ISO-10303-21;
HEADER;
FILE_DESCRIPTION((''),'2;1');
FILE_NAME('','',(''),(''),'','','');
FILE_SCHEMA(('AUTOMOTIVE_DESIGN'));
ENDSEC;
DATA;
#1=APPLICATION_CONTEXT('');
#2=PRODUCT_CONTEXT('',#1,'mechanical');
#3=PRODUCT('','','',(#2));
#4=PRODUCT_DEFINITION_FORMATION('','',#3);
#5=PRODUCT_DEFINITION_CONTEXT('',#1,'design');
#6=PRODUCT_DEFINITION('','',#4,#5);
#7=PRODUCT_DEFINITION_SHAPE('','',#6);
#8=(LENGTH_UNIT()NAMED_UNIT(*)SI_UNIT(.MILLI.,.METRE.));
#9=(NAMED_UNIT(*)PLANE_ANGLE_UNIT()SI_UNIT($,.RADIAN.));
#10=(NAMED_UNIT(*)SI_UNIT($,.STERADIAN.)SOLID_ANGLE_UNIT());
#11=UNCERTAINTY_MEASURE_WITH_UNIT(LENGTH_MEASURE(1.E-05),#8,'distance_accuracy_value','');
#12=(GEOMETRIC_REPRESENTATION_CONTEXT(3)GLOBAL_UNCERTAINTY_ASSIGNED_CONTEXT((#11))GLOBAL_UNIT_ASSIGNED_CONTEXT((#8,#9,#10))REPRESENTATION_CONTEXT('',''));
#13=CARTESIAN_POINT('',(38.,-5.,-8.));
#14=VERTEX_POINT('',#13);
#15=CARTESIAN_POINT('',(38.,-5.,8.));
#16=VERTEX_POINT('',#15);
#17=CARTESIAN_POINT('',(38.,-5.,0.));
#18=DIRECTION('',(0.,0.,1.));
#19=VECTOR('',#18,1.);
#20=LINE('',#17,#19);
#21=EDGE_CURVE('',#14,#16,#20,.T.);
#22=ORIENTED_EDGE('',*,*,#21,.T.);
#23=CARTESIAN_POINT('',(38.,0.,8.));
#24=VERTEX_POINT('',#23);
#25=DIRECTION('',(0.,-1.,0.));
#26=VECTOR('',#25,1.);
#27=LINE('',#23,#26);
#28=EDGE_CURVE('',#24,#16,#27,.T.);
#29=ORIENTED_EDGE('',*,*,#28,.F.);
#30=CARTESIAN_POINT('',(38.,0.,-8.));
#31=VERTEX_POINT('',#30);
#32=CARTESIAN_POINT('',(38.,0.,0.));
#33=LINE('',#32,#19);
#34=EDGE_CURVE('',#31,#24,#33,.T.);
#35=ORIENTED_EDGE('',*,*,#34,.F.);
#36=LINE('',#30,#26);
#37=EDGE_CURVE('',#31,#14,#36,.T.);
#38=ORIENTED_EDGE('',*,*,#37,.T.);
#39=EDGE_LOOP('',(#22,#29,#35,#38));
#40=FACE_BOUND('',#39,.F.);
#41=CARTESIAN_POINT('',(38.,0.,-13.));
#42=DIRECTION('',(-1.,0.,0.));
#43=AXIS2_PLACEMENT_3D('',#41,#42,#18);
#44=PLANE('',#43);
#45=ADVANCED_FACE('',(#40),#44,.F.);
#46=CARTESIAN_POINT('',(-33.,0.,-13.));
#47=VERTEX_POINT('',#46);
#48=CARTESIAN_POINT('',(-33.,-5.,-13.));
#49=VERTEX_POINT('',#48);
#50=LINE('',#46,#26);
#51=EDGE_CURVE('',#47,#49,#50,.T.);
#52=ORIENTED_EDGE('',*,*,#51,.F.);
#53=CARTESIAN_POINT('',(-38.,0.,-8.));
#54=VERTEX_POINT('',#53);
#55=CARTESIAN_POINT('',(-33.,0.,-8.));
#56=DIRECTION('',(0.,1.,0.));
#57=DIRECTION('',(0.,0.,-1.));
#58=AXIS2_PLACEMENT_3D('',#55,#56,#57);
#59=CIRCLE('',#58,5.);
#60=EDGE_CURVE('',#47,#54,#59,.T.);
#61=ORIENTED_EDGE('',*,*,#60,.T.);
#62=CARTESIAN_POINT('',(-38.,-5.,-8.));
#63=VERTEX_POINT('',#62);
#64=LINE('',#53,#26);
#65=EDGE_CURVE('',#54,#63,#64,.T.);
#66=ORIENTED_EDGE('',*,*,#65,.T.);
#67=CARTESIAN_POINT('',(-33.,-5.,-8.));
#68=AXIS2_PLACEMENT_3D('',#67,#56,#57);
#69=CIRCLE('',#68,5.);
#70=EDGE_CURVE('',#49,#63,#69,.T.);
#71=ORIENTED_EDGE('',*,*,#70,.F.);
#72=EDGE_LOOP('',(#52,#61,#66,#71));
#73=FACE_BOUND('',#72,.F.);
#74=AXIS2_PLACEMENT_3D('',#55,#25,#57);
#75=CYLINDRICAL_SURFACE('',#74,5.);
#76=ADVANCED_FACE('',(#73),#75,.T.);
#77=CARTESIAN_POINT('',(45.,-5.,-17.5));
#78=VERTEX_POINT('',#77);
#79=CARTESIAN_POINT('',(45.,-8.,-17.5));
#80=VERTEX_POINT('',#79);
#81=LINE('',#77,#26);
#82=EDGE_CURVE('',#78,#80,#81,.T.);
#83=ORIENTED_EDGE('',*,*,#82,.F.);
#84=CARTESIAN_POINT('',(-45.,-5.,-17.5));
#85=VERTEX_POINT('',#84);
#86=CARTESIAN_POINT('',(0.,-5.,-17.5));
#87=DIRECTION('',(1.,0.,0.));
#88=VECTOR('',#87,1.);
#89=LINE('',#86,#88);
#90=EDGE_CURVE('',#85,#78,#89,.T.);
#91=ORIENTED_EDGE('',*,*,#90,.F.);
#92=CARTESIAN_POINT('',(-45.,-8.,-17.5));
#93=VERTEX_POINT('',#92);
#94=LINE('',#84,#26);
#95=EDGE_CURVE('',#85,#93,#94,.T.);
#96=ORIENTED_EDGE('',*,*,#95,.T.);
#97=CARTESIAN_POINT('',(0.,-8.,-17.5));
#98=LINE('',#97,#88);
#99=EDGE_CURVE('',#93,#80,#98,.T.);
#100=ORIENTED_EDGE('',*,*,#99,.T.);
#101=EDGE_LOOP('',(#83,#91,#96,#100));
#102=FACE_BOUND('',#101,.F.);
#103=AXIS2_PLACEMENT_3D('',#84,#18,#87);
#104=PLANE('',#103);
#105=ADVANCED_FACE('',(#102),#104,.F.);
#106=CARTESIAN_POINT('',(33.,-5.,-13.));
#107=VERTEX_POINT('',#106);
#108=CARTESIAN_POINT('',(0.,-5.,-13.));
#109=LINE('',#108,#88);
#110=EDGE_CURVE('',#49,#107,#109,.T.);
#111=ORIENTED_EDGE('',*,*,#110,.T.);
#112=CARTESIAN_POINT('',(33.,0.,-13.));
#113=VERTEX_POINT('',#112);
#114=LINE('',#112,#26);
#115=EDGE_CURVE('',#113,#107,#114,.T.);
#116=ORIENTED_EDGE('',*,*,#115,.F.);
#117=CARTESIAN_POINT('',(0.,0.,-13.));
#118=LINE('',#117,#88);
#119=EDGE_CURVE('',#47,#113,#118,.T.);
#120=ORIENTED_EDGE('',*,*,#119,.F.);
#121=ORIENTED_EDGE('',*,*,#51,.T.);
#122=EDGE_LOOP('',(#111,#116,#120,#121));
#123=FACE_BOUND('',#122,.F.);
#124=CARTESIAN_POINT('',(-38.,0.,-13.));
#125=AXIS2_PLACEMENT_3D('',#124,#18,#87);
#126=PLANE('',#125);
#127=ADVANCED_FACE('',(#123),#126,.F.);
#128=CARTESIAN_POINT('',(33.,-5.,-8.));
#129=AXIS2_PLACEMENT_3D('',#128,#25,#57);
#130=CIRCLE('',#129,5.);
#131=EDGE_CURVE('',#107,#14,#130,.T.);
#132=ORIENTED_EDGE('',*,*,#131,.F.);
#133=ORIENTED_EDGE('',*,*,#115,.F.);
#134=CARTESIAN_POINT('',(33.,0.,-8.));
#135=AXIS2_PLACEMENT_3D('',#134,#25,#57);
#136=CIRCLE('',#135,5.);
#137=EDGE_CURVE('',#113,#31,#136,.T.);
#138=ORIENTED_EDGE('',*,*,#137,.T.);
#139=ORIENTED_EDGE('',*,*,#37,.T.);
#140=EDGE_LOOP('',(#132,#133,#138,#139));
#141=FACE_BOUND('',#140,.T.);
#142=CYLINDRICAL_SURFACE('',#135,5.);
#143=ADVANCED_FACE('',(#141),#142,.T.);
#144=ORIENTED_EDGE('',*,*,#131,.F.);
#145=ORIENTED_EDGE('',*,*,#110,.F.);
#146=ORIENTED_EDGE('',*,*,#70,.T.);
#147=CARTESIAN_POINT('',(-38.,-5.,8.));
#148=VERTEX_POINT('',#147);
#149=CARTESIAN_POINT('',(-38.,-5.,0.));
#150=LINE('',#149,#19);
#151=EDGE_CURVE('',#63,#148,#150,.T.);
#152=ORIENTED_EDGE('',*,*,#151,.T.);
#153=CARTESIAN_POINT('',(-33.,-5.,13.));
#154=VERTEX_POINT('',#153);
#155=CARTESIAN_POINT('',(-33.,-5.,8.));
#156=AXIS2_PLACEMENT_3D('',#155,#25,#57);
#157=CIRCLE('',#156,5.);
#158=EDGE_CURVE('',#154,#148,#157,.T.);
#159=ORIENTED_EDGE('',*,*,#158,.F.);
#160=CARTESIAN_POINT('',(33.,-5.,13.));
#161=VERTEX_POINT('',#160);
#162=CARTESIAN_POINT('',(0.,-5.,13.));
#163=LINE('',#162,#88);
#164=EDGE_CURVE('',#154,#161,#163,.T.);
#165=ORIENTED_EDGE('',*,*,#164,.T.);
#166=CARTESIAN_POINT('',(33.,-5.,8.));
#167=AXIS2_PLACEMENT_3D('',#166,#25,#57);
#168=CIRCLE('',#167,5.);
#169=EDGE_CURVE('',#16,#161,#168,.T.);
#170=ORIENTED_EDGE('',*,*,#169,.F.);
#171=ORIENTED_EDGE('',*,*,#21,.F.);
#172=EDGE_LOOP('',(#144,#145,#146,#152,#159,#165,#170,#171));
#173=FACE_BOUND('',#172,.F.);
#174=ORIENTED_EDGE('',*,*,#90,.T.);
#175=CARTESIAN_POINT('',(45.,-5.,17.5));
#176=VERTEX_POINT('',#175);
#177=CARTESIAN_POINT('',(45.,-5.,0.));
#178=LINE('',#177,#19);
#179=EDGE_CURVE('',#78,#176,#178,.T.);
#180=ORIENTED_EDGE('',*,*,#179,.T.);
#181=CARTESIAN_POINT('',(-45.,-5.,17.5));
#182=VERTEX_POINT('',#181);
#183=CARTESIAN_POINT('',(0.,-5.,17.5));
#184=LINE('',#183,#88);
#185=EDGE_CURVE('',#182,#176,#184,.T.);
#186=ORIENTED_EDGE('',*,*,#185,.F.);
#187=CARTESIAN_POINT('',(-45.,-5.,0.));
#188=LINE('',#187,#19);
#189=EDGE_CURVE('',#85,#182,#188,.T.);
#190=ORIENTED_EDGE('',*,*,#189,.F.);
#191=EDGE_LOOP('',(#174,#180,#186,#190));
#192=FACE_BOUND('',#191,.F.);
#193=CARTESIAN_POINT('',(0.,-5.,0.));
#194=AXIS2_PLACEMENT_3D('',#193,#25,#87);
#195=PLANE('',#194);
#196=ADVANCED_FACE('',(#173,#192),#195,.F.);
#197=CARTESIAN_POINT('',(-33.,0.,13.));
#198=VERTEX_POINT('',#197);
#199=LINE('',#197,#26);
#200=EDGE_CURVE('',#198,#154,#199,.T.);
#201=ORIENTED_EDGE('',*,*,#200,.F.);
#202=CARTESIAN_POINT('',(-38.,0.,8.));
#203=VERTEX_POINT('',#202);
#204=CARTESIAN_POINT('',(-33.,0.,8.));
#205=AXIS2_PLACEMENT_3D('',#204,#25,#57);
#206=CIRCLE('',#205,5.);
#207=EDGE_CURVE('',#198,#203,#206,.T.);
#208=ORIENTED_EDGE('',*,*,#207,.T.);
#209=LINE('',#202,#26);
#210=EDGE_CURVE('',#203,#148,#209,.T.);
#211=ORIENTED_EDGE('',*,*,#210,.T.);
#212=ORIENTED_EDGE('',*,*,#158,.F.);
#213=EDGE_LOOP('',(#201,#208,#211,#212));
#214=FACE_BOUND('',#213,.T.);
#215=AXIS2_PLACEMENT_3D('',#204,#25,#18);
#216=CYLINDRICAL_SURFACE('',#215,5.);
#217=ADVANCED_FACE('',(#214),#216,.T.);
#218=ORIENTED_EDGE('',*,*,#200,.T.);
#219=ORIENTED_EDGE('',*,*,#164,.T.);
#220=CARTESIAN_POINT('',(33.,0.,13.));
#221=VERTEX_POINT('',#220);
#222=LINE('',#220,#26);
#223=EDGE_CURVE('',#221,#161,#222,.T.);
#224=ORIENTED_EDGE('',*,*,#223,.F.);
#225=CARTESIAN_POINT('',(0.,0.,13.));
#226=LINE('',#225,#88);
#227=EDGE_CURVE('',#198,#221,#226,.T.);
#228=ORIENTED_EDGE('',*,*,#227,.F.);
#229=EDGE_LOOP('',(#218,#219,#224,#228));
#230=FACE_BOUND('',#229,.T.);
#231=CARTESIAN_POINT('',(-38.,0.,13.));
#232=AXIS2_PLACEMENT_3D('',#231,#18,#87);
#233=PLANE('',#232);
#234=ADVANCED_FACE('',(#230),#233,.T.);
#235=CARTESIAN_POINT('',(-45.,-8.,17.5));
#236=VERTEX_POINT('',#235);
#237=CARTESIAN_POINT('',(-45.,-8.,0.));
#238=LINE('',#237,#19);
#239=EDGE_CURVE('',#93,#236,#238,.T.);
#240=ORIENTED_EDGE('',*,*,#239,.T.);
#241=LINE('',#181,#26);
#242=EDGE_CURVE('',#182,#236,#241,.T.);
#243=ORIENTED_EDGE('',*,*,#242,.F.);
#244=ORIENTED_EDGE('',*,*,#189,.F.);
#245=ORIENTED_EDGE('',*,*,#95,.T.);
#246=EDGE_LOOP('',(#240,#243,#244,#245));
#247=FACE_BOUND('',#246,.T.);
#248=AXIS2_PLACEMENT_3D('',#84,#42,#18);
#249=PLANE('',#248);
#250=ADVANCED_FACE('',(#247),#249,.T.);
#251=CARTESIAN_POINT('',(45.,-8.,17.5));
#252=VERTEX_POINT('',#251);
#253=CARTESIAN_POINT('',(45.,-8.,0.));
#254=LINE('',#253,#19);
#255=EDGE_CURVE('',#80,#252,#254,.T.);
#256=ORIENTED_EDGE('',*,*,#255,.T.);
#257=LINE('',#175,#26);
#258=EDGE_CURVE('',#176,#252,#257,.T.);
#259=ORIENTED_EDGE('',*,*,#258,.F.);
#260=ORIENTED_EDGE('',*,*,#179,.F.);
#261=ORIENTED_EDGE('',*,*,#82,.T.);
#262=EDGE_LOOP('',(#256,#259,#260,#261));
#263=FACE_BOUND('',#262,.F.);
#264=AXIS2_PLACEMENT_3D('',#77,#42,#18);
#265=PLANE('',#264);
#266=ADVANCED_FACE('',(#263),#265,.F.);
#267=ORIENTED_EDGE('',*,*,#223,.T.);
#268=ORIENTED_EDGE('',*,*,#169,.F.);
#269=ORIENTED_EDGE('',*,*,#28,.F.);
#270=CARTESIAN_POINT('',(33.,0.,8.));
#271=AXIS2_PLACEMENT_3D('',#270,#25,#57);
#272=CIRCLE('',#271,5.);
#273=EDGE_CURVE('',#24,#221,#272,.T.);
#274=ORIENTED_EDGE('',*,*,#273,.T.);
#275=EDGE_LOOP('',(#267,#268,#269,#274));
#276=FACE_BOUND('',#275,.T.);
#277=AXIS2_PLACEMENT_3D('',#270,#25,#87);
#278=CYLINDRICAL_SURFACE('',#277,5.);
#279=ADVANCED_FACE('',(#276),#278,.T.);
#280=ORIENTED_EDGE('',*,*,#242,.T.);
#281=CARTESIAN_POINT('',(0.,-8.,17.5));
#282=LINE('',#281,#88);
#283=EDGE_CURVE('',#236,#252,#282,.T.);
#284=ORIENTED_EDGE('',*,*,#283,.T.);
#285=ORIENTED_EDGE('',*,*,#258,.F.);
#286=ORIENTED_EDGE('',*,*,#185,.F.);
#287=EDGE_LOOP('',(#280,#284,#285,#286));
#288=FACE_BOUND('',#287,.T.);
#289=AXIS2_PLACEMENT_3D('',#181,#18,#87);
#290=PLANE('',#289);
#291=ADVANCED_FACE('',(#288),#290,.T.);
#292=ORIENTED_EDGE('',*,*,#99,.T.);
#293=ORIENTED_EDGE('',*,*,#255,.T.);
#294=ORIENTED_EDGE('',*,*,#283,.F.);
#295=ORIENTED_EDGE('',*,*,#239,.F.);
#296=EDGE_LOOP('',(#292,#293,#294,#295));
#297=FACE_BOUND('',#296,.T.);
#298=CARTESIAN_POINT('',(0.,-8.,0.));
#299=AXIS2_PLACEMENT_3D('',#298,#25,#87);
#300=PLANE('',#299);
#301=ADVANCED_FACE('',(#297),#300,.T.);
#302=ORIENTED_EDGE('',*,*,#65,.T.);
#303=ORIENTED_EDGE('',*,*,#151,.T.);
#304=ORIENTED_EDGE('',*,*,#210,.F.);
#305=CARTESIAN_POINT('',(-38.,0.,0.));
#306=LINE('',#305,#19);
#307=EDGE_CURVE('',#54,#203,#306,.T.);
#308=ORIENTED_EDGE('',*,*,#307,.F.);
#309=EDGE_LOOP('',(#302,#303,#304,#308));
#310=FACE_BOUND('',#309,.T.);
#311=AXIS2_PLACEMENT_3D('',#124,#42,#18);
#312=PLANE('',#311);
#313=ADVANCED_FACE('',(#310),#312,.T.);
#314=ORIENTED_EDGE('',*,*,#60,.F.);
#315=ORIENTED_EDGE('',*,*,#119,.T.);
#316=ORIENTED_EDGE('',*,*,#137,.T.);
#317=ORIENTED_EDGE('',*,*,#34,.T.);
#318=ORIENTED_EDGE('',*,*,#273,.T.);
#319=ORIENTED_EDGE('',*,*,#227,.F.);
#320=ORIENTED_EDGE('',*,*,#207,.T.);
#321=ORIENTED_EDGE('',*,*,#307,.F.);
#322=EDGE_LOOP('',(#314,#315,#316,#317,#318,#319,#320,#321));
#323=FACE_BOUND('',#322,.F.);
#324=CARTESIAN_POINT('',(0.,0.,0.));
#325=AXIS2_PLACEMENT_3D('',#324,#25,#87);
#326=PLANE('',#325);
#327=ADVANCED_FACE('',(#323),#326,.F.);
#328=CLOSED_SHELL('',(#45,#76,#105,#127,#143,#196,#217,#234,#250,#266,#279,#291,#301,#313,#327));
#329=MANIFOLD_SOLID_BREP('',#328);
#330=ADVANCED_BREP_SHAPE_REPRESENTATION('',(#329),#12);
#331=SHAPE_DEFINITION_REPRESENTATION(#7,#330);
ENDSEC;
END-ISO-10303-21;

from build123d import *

# Parameters (mm, degrees)
F0_W     = 76
F0_H     = 26
F1_DEPTH = 5
F2_W     = 90
F2_H     = 35
F3_DEPTH = 3
F4_R     = 5


with BuildPart() as f1:
    # F0 (on Front) → F1 (new body)
    with BuildSketch(Plane.XZ):
        Rectangle(F0_W, F0_H)
    extrude(amount=F1_DEPTH)

    # F2 (on face) → F3 (join)
    with BuildSketch(Plane.XZ.offset(5)):
        Rectangle(F2_W, F2_H)
    extrude(amount=F3_DEPTH)

    # F4
    f4_edges = [f1.edges().sort_by_distance(p)[0] for p in [
        (-38, -2.5, 13),
        (38, -2.5, 13),
        (38, -2.5, -13),
        (-38, -2.5, -13),
    ]]
    fillet(f4_edges, radius=F4_R)


solid = f1.part
